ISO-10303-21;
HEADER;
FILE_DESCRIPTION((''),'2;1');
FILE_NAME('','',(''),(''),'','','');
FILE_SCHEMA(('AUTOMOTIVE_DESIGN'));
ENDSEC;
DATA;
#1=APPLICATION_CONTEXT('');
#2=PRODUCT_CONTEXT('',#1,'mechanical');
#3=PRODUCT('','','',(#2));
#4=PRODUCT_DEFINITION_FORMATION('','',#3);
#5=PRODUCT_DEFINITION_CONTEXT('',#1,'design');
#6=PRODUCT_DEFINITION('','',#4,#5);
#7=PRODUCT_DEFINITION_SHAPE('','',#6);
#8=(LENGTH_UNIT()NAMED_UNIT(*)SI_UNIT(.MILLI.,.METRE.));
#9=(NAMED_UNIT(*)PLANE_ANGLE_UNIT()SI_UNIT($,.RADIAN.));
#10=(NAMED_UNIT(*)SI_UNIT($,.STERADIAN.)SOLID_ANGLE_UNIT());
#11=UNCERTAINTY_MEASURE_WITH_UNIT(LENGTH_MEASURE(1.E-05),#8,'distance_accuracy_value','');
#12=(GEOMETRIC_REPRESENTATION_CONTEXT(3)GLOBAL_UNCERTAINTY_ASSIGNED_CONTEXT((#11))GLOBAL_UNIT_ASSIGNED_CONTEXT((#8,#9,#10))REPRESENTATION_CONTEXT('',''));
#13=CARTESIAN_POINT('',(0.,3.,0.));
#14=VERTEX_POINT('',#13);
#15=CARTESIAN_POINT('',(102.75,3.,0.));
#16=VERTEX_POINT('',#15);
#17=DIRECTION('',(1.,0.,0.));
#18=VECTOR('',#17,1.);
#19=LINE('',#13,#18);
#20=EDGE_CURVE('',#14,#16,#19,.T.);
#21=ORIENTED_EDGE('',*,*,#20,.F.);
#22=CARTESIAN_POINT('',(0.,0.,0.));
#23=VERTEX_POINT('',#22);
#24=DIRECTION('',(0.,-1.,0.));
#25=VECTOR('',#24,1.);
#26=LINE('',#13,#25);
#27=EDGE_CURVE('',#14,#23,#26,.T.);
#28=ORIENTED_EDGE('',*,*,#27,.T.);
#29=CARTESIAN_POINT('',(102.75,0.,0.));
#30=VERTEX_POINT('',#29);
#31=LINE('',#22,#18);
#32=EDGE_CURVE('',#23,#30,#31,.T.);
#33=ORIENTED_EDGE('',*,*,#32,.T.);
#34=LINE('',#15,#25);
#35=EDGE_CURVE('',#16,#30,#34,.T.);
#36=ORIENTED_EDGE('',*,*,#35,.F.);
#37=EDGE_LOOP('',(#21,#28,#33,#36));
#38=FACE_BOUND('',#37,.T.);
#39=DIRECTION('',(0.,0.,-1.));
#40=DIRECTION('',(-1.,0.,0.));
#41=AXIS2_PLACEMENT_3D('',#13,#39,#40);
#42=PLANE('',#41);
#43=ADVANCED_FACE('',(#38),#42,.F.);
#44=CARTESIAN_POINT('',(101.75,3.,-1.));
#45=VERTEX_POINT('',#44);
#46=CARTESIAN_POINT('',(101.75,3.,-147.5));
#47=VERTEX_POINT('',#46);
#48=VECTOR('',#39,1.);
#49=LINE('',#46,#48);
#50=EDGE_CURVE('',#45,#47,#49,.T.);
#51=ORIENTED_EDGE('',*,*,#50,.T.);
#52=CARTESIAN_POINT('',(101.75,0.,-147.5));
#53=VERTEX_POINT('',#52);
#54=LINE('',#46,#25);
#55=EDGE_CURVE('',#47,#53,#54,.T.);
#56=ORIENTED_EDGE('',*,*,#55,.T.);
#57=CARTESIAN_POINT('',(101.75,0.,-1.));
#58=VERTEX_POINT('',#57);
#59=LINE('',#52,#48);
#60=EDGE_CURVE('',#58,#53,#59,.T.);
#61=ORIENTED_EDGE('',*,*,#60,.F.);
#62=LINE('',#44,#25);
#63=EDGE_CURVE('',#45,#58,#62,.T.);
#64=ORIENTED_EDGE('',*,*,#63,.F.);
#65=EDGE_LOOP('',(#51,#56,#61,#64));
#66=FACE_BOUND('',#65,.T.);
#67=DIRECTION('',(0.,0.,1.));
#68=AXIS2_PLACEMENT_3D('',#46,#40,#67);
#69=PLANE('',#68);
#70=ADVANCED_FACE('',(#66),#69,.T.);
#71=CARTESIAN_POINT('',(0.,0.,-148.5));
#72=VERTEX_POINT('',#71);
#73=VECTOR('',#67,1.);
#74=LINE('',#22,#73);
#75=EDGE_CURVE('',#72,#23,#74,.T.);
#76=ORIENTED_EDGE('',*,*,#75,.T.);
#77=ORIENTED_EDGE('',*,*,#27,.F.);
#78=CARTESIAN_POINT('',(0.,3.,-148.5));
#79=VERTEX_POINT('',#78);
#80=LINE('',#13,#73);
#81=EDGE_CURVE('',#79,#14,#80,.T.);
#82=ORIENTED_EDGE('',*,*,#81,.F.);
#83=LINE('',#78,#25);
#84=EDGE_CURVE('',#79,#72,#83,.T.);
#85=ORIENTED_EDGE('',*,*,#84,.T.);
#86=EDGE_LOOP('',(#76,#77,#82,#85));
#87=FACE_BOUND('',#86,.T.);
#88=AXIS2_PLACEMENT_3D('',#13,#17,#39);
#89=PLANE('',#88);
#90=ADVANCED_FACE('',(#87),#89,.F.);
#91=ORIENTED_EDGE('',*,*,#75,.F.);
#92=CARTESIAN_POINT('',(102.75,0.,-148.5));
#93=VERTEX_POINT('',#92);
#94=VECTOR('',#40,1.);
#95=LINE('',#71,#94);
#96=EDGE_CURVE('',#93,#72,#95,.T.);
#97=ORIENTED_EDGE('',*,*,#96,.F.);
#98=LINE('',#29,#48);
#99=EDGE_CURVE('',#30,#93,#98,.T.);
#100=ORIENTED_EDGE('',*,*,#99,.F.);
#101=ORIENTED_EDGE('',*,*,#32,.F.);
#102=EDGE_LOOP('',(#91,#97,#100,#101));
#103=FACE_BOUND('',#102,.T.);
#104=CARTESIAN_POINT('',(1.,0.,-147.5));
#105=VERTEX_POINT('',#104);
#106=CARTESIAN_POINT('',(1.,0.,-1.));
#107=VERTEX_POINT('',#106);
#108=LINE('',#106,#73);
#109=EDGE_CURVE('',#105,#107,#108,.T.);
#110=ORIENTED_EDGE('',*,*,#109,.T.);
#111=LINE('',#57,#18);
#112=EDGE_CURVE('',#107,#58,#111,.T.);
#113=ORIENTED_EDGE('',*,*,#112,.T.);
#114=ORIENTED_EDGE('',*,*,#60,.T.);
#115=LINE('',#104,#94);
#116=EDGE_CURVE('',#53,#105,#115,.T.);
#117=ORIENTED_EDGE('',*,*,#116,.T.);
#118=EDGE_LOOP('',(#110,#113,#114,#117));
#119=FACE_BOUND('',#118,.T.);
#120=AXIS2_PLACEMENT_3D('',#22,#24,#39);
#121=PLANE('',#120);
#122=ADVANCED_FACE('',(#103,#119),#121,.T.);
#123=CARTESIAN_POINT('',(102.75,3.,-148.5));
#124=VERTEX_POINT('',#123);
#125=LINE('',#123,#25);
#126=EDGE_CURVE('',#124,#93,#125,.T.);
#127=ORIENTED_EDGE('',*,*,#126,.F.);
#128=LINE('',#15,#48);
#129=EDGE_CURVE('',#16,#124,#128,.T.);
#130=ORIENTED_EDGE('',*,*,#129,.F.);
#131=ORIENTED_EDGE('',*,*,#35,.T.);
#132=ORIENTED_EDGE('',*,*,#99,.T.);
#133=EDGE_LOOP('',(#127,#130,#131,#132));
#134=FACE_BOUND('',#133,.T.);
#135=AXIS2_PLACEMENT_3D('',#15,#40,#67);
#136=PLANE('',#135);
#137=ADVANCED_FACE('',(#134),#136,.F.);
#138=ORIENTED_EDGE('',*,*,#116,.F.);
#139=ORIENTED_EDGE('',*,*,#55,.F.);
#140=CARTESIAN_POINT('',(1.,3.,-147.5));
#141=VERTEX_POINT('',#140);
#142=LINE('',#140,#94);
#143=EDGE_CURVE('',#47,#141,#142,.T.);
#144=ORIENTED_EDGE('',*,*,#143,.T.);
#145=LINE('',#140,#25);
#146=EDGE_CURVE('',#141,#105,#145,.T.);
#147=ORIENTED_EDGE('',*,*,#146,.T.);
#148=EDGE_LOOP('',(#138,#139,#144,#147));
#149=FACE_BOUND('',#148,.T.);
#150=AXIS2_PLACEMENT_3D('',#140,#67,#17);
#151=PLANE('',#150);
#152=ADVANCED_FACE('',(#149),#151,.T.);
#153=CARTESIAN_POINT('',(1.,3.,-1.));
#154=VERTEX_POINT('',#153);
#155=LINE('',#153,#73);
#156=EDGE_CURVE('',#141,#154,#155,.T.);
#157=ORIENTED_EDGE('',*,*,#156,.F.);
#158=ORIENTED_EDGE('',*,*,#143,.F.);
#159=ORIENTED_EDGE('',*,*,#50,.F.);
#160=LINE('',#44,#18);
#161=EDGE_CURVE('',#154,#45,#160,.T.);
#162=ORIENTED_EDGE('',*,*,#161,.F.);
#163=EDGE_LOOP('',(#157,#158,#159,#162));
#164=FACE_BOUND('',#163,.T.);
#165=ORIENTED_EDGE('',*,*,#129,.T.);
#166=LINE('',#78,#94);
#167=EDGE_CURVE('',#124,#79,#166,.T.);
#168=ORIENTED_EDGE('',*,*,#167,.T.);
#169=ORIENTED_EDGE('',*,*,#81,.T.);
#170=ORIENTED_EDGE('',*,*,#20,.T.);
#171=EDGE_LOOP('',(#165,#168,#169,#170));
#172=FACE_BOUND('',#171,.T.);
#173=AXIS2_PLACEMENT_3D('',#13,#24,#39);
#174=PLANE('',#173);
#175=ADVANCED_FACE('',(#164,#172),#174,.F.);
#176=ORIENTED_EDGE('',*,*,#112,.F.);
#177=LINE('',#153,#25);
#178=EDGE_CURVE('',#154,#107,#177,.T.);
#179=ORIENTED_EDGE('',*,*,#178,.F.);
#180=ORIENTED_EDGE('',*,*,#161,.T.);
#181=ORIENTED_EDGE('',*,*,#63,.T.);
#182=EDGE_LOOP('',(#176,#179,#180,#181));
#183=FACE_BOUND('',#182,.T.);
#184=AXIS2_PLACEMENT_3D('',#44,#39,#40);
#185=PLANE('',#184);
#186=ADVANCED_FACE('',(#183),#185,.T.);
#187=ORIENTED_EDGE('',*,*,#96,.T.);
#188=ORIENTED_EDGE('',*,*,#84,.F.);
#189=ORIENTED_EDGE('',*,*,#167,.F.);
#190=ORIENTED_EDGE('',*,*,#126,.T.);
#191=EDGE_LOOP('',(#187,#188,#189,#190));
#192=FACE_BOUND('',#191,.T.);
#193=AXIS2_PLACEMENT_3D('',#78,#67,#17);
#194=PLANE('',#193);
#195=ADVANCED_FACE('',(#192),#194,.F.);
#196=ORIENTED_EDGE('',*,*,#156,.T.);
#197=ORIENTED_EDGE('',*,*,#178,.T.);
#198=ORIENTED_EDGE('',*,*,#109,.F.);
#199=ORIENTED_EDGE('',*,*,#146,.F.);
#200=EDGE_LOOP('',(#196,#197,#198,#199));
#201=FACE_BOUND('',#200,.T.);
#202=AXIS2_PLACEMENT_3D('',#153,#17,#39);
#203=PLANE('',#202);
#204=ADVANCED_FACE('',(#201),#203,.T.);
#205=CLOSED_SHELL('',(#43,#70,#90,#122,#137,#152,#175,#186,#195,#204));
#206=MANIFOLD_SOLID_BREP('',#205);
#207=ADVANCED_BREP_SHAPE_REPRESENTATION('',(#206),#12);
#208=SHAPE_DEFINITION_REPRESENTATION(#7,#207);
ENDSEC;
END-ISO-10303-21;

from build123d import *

# Parameters (mm, degrees)
SKETCH1_W           = 102.75
SKETCH1_H           = 148.5
SKETCH1_W_2         = 100.75
SKETCH1_H_2         = 146.5
BOSS_EXTRUDE1_DEPTH = 3


with BuildPart() as part:
    # Sketch1 → Boss-Extrude1 (new body)
    with BuildSketch(Plane(origin=(0, 0, 0), x_dir=(1, 0, 0), z_dir=(0, 1, 0))):
        with Locations((51.375, 74.25)):
            Rectangle(SKETCH1_W, SKETCH1_H)
        with Locations((51.375, 74.25)):
            Rectangle(SKETCH1_W_2, SKETCH1_H_2, mode=Mode.SUBTRACT)
    extrude(amount=BOSS_EXTRUDE1_DEPTH)


solid = part.part
